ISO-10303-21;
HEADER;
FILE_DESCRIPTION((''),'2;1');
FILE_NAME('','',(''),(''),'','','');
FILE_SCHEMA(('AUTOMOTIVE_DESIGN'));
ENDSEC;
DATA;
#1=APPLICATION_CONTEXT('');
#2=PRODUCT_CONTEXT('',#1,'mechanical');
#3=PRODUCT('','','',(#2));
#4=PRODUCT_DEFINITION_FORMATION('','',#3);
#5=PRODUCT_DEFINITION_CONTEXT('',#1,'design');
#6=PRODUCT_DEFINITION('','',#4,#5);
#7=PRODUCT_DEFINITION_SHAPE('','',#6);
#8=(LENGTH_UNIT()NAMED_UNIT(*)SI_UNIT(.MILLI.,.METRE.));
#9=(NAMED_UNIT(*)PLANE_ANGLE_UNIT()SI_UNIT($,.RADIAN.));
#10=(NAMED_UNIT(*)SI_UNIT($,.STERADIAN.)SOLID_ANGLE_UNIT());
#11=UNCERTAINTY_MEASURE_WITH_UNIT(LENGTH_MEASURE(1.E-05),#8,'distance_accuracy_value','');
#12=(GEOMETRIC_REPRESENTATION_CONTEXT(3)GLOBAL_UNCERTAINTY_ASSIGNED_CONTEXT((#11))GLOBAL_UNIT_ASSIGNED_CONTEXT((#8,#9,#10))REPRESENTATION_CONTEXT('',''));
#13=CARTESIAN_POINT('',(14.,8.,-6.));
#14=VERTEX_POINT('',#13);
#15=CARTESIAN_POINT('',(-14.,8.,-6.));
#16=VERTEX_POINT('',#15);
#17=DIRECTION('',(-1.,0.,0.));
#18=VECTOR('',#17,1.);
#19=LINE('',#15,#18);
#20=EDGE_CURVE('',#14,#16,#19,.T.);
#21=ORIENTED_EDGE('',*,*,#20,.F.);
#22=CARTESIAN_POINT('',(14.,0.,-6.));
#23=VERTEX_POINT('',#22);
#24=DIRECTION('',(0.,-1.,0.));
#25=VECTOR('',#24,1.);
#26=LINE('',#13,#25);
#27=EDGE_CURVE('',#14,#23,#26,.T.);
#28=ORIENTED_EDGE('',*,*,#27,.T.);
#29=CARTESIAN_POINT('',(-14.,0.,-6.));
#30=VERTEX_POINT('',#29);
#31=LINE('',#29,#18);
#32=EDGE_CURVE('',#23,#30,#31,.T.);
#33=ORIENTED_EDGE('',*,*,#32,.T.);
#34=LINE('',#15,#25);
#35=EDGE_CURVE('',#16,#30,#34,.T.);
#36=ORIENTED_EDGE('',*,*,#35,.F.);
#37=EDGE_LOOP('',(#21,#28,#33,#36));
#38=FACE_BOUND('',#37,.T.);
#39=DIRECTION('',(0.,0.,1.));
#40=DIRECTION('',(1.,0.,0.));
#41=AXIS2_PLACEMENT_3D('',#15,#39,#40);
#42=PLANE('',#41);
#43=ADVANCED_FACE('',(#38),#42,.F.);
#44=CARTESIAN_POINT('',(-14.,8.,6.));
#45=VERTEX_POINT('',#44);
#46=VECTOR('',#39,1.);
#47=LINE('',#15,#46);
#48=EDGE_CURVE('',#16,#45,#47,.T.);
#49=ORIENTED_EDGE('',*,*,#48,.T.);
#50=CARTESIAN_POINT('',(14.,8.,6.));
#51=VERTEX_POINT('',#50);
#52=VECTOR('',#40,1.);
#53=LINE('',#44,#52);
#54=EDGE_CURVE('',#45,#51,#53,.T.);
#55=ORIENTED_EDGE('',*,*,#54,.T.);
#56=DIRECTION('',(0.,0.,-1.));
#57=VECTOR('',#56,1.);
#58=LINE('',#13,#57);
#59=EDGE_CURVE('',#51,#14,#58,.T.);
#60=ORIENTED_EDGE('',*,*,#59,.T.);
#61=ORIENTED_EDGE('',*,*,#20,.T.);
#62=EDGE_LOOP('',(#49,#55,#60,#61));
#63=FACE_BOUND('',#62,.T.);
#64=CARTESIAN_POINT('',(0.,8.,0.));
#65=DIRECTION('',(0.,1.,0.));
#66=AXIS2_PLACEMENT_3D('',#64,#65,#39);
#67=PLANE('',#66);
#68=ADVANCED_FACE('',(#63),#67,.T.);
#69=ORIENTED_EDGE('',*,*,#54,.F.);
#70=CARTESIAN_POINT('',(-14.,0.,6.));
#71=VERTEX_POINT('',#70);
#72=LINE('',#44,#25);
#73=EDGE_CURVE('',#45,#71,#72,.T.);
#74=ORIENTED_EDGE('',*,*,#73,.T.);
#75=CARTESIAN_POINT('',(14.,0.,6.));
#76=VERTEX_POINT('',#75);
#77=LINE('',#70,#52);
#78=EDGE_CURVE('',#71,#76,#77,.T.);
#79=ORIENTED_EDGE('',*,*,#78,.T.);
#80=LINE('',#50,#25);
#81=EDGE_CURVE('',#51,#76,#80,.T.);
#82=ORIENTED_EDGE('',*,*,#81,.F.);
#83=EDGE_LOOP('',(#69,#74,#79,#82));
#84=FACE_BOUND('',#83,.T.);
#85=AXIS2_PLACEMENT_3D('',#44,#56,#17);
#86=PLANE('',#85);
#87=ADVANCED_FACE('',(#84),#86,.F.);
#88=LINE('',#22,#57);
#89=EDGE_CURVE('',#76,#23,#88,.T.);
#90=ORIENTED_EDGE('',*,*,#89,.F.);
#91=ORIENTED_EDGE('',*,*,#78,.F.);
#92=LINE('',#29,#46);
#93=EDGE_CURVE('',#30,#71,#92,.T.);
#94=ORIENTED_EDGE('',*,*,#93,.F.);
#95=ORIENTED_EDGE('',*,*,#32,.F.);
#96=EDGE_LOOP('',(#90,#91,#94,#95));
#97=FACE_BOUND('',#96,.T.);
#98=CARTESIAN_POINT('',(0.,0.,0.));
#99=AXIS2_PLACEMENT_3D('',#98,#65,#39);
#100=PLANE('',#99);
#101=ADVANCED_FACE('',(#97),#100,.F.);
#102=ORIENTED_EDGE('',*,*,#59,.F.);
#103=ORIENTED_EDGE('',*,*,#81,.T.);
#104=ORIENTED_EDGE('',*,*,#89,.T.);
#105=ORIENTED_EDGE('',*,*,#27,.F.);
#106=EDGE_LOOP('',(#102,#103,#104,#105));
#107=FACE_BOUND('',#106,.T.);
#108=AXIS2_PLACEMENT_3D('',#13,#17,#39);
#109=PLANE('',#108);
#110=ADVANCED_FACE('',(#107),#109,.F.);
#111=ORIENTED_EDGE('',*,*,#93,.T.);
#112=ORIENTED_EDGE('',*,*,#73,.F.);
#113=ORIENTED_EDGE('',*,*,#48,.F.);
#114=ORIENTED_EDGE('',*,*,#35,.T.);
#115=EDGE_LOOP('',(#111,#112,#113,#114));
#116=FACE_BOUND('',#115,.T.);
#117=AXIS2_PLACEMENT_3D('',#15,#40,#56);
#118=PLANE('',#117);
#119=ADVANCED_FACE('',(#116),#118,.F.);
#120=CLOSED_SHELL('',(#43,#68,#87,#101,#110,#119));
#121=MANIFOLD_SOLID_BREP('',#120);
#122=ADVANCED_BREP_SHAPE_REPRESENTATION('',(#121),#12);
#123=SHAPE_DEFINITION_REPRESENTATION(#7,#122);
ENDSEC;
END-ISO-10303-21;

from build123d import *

# Parameters (mm, degrees)
SKETCH_1_W      = 28
SKETCH_1_H      = 12
EXTRUDE_1_DEPTH = 8


with BuildPart() as part:
    # 草图1 → 凸台-拉伸1 (new body)
    with BuildSketch(Plane(origin=(0, 0, 0), x_dir=(1, 0, 0), z_dir=(0, 1, 0))):
        Rectangle(SKETCH_1_W, SKETCH_1_H)
    extrude(amount=EXTRUDE_1_DEPTH)


solid = part.part
